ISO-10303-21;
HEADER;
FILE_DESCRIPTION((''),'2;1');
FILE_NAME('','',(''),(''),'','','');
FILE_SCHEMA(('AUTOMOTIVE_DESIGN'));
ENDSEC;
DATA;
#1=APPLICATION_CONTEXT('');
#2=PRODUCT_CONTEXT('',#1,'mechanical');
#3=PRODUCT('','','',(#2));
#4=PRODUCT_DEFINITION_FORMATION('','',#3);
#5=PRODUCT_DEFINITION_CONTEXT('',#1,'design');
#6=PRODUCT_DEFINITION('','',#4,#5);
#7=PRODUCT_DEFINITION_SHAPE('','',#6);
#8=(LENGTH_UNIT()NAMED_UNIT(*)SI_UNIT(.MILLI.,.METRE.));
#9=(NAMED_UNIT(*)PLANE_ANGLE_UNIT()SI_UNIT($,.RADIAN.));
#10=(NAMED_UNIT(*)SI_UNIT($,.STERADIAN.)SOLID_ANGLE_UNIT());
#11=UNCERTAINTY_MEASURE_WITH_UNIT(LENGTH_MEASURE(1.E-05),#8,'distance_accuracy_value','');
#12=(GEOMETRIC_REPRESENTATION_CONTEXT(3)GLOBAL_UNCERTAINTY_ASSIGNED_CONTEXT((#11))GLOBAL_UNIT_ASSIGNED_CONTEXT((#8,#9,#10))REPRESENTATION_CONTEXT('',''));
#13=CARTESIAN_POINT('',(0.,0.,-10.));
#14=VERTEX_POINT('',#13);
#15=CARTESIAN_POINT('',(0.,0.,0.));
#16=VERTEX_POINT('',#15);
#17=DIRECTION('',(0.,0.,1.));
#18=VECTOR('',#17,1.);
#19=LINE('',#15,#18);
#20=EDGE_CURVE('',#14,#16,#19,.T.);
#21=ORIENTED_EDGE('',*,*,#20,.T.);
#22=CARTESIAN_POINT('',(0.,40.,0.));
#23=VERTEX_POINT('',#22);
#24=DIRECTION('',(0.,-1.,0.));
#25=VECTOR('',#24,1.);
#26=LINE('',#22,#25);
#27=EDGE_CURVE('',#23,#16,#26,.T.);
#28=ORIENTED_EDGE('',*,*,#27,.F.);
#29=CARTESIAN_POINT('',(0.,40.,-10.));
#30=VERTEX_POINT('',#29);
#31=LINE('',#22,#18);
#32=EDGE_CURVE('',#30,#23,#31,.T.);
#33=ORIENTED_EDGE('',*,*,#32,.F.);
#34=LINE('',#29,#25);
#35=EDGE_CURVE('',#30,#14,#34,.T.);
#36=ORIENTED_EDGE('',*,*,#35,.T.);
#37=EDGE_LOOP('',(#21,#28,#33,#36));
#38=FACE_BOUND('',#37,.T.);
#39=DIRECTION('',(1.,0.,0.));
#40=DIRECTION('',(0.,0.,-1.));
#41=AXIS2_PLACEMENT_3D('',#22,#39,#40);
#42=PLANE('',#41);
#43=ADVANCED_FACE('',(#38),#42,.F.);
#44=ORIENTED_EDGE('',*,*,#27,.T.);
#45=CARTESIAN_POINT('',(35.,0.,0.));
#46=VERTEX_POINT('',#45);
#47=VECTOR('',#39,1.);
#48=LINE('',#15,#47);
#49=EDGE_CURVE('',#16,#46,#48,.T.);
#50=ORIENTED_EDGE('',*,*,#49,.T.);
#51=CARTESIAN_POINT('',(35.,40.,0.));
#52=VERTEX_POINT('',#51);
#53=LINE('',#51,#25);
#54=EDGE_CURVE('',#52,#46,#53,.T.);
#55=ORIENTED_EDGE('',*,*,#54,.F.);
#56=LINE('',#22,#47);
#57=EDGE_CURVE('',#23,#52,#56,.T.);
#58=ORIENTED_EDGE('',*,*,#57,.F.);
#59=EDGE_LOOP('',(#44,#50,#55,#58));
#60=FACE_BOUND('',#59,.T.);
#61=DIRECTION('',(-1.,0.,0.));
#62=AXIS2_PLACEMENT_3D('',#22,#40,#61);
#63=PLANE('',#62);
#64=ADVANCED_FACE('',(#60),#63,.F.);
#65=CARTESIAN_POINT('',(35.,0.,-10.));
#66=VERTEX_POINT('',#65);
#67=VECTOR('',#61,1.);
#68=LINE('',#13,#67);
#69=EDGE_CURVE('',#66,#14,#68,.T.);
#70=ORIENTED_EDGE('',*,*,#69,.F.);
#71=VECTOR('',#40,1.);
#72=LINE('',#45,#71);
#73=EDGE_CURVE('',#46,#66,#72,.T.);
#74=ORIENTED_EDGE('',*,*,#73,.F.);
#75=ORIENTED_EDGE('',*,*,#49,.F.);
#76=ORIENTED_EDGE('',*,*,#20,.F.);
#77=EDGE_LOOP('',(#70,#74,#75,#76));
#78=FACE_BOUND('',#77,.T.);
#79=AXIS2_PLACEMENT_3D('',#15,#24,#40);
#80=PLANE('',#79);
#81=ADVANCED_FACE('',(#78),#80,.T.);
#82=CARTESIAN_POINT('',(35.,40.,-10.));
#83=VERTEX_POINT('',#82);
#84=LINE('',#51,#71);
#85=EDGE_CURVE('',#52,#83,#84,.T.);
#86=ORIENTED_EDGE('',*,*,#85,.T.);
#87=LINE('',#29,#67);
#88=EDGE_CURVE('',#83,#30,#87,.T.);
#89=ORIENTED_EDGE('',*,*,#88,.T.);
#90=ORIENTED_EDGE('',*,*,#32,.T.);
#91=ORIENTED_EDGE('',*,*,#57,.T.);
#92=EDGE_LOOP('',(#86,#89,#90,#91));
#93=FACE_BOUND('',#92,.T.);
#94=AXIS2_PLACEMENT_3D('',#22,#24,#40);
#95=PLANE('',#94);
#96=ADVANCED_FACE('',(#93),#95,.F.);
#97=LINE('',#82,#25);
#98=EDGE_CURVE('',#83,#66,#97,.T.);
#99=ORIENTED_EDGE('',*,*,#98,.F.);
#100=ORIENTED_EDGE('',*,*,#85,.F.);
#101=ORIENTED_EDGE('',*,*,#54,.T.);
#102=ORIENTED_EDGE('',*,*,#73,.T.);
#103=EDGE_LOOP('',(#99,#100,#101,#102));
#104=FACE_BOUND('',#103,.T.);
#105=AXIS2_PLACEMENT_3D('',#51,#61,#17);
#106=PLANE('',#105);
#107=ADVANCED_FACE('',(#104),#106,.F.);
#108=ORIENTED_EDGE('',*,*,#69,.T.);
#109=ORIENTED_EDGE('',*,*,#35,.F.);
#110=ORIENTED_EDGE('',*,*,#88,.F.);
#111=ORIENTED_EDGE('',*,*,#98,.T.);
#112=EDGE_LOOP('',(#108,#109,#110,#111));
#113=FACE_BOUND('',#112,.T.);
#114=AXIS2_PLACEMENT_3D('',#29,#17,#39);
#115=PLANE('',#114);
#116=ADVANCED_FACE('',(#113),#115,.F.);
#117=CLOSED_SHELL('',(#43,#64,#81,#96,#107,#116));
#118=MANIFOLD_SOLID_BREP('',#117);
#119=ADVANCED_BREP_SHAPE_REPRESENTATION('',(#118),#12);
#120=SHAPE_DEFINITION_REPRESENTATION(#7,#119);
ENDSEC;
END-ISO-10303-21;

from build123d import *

# Parameters (mm, degrees)
SKETCH1_W           = 35
SKETCH1_H           = 10
BOSS_EXTRUDE1_DEPTH = 40


with BuildPart() as part:
    # Sketch1 → Boss-Extrude1 (new body)
    with BuildSketch(Plane(origin=(0, 0, 0), x_dir=(1, 0, 0), z_dir=(0, 1, 0))):
        with Locations((17.5, 5)):
            Rectangle(SKETCH1_W, SKETCH1_H)
    extrude(amount=BOSS_EXTRUDE1_DEPTH)


solid = part.part
